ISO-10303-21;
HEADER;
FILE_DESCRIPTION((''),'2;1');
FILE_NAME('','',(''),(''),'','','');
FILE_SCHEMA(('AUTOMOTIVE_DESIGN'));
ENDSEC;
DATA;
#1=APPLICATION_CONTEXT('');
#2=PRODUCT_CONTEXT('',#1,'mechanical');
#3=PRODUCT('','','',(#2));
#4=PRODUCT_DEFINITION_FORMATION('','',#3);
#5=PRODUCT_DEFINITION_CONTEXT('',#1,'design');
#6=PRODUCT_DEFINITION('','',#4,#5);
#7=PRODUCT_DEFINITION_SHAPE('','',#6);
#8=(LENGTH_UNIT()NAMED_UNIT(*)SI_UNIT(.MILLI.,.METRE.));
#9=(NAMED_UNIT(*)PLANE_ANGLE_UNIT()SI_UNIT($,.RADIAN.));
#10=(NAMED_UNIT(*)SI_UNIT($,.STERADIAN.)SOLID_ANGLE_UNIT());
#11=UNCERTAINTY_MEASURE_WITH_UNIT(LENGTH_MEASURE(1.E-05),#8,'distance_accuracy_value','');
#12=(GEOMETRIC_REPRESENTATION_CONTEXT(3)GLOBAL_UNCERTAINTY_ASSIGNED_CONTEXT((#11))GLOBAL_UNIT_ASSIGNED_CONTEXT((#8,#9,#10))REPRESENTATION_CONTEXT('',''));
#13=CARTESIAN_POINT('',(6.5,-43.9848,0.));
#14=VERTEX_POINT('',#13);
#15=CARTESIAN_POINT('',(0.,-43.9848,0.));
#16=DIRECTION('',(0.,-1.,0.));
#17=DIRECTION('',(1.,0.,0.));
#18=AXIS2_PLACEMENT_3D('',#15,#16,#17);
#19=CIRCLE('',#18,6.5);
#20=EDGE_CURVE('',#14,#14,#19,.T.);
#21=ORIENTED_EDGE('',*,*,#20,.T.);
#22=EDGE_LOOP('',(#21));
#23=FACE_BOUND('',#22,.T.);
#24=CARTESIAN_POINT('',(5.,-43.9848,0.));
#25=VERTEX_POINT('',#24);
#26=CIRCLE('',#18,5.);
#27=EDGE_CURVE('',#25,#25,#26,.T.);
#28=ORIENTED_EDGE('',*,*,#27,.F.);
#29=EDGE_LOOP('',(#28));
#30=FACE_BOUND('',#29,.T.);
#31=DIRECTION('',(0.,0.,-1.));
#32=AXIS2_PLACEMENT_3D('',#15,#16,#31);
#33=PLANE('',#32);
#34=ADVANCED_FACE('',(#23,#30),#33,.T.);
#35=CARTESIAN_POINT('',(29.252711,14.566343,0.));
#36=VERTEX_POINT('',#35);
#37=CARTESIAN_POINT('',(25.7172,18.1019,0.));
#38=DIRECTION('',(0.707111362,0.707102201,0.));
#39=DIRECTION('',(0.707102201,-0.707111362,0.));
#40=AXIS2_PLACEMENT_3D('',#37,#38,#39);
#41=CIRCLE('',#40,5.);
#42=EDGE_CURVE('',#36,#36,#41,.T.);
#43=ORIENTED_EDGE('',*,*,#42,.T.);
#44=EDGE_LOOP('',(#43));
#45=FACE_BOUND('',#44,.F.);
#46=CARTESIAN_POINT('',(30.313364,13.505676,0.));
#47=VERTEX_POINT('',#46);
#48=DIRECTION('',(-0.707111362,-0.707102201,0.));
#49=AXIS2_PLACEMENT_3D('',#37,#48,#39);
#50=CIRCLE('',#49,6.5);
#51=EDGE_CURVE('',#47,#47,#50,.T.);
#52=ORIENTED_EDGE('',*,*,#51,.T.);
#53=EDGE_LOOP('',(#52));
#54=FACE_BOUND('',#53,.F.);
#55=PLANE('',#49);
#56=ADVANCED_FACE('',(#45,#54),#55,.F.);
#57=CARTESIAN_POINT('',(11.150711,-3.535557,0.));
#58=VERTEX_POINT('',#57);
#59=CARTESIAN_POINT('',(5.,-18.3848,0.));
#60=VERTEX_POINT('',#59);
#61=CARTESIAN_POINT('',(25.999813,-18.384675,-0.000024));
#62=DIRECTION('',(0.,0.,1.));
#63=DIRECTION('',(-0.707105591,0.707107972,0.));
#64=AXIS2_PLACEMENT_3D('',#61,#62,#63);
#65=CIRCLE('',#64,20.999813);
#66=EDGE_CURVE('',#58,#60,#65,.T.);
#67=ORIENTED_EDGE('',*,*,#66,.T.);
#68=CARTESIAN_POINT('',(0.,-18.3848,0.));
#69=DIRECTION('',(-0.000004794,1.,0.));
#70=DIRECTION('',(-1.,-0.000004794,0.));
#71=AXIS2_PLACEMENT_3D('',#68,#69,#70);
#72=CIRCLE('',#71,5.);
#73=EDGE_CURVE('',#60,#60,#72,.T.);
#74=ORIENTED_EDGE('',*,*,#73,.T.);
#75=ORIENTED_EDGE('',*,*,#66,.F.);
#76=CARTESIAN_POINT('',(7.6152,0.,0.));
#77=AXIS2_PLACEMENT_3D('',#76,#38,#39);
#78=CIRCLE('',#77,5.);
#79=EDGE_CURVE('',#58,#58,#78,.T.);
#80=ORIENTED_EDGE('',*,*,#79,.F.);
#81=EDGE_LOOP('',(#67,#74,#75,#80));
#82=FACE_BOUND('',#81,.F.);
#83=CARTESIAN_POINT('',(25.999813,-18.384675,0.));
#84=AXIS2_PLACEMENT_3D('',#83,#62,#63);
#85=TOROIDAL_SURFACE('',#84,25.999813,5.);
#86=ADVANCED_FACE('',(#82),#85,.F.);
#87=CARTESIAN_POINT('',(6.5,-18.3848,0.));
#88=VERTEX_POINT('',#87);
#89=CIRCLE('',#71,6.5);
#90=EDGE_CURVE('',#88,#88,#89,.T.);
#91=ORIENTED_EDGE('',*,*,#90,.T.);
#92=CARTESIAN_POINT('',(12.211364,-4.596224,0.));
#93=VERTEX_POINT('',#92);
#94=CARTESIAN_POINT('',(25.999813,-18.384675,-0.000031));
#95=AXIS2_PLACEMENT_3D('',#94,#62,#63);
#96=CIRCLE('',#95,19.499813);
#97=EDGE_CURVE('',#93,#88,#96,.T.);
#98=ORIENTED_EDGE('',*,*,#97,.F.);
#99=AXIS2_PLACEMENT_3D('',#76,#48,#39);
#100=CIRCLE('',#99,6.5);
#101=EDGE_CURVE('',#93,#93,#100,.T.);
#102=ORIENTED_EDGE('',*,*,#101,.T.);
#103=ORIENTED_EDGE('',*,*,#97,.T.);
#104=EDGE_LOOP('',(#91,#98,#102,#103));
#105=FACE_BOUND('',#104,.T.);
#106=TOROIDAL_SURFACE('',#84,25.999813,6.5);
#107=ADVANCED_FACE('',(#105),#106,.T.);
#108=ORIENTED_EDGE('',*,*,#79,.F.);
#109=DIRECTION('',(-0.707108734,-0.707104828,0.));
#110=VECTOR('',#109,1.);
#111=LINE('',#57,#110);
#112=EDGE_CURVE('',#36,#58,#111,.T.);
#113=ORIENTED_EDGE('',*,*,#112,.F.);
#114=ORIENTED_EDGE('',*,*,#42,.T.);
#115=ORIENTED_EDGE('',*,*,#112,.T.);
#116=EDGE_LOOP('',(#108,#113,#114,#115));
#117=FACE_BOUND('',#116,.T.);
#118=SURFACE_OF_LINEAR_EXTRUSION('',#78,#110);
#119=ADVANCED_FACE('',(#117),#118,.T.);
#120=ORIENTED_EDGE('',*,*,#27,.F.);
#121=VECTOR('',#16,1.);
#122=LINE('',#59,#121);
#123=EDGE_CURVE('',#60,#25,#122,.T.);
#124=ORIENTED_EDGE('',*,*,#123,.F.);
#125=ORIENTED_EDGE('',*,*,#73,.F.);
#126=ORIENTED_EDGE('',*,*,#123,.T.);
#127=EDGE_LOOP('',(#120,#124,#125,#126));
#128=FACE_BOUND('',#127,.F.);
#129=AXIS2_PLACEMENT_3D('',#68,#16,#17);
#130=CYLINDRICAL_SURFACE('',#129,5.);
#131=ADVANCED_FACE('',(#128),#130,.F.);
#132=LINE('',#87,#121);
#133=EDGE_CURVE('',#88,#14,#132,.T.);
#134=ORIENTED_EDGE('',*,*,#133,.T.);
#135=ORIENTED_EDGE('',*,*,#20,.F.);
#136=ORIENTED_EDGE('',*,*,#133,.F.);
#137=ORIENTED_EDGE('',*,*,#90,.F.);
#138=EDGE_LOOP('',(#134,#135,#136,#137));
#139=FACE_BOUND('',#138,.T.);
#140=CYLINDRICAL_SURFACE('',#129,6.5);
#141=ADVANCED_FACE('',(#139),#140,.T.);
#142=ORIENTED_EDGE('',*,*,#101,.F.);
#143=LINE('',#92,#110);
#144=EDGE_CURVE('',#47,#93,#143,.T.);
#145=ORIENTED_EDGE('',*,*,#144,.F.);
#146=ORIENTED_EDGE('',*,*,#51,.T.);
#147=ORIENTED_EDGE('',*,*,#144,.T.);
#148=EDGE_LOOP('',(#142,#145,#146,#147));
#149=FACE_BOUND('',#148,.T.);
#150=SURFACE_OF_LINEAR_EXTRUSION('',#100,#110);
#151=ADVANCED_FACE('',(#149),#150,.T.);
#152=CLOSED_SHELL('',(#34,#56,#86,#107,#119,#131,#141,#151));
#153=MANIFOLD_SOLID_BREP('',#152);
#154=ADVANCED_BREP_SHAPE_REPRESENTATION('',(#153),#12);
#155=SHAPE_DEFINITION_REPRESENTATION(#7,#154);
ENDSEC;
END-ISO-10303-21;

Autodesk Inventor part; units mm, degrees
ref_plane "YZ Plane" through (0, 0, 0) normal (1, 0, 0) x (0, 1, 0)
ref_plane "XZ Plane" through (0, 0, 0) normal (0, 1, 0) x (-1, 0, 0)
sketch "Szkic6" plane through (0, 0, 0) normal (0, 0, 1) x (1, 0, 0)
  line L0 (-29.6067, 0) -> (35.2678, 0) construction
  line L1 (0, 42.3419) -> (0, -58.3726) construction
  arc A0 (7.6152, 0) -> (0, -18.3848) centre (26, -18.3848) ccw
  line L2 (0, -18.3848) -> (26, -18.3848) construction
  line L3 (26, -18.3848) -> (-20.3389, 27.9541) construction
  line L4 (7.6152, 0) -> (25.7172, 18.1019)
  line L5 (0, -18.3848) -> (0, -43.9848)
  point P0 (0, 0)
  dimension "d24" = 152.5
  dimension "d31" = 90
  dimension "d36" = 0
  dimension "d37" = 0
ref_plane "Płaszczyzna konstrukcyjna2" through (0, -18.3848, 0) normal (0, -1, 0) x (1, 0, 0)
sketch "Szkic8" plane through (0, -18.3848, 0) normal (0, -1, 0) x (1, 0, 0)
  circle A0 centre (0, 0) radius 6.5
  circle A1 centre (0, 0) radius 5
  dimension "d32" = 101.6
  dimension "d33" = 2
sweep "Przeciągnięcie2" add profiles "Szkic8" path "Szkic6"
equation "\"d32\" = OD"
equation "\"d33\" = THK"
equation "\"d24\" = R"
equation "\"d31\" = KAT"
equation "\"SzerokośćGięciaPodcięcia\" = Grubość"
equation "\"RozmiarPodcięciaNarożnika\" = 4 * Grubość"
equation "\"PromieńPrzejścia\" = PromieńGięcia"
equation "\"Rozmiar_promienia_Jacobiego\" = PromieńGięcia"
equation "\"Wielk_odstępu\" = Grubość"
equation "\"d2\" = PromieńGięcia"
equation "\"d23\" = PromieńGięcia"
equation "\"R\" = 152.5"
equation "\"OD\" = 101.6"
equation "\"THK\" = 2"
equation "\"KAT\" = 90deg"
equation "\"PROSTKA\" = 0"
equation "\"Grubość\" = 1.5"
equation "\"PromieńGięcia\" = 3"
properties part number "Kolano 90° ø101,6x2 R152,5" material "304L"
